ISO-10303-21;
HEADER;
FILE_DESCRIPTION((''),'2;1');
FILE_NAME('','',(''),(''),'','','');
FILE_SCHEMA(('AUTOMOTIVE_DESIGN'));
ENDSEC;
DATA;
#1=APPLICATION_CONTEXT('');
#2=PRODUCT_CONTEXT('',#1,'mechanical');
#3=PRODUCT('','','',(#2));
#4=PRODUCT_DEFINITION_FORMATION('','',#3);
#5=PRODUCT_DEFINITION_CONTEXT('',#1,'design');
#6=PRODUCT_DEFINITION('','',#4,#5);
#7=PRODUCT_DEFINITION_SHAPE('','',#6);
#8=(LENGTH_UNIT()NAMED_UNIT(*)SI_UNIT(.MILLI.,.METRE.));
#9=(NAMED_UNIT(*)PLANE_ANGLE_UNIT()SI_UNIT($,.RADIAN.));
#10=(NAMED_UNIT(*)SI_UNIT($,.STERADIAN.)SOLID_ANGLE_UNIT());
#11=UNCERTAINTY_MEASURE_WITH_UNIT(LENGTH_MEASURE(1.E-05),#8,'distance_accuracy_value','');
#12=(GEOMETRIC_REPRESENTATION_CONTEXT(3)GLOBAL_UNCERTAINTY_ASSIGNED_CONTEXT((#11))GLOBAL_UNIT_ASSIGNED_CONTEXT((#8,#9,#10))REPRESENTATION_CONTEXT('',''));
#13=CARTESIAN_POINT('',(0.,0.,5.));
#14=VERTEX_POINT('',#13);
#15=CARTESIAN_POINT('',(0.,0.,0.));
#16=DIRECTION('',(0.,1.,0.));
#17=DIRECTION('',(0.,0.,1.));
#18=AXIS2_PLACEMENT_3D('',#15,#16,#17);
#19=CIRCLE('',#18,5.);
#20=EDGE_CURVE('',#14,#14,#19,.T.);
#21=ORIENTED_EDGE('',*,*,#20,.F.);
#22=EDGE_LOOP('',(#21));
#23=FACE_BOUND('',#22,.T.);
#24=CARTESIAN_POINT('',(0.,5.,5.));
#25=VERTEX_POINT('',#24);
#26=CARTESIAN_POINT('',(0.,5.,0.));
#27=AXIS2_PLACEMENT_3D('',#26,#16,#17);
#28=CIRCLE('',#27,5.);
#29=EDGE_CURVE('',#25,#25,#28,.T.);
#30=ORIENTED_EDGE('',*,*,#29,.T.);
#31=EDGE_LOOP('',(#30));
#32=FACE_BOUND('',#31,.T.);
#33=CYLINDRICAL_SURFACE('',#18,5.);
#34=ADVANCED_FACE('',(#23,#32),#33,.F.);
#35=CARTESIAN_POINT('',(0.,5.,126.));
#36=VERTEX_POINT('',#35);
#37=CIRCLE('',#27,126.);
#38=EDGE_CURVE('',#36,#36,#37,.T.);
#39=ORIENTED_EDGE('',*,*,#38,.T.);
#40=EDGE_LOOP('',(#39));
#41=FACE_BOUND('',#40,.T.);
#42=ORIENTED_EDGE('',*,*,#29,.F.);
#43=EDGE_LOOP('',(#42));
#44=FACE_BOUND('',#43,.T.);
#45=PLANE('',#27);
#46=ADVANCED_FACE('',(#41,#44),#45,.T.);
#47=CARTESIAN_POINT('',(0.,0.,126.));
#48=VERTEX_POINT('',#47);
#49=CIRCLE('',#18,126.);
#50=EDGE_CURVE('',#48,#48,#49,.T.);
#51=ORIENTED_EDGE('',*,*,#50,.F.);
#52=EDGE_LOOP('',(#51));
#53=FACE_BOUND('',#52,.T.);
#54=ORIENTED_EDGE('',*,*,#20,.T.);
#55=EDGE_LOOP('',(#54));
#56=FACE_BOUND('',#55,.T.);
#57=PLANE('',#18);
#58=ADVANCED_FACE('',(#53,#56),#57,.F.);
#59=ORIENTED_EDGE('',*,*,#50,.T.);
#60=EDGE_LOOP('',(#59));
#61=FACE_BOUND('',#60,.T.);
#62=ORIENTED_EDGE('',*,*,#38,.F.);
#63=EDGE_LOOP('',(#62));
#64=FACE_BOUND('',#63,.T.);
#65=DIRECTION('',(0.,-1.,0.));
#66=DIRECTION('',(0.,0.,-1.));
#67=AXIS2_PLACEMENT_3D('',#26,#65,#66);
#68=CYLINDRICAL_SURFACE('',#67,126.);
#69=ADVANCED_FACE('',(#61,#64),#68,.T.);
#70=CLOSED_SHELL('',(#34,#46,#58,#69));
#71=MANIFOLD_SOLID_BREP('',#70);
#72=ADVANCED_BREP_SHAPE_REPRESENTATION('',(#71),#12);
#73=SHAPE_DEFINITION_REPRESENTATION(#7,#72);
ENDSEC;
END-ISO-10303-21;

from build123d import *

# Parameters (mm, degrees)
SKETCH3_R           = 126
BOSS_EXTRUDE1_DEPTH = 5
SKETCH4_R           = 5
CUT_EXTRUDE1_DEPTH  = 5


with BuildPart() as part:
    # Sketch3 → Boss-Extrude1 (new body)
    with BuildSketch(Plane(origin=(0, 0, 0), x_dir=(1, 0, 0), z_dir=(0, 1, 0))):
        Circle(SKETCH3_R)
    extrude(amount=BOSS_EXTRUDE1_DEPTH)

    # Sketch4 → Cut-Extrude1 (cut)
    with BuildSketch(Plane(origin=(0, 5, 0), x_dir=(1, 0, 0), z_dir=(0, 1, 0))):
        Circle(SKETCH4_R)
    extrude(amount=-CUT_EXTRUDE1_DEPTH, mode=Mode.SUBTRACT)


solid = part.part
